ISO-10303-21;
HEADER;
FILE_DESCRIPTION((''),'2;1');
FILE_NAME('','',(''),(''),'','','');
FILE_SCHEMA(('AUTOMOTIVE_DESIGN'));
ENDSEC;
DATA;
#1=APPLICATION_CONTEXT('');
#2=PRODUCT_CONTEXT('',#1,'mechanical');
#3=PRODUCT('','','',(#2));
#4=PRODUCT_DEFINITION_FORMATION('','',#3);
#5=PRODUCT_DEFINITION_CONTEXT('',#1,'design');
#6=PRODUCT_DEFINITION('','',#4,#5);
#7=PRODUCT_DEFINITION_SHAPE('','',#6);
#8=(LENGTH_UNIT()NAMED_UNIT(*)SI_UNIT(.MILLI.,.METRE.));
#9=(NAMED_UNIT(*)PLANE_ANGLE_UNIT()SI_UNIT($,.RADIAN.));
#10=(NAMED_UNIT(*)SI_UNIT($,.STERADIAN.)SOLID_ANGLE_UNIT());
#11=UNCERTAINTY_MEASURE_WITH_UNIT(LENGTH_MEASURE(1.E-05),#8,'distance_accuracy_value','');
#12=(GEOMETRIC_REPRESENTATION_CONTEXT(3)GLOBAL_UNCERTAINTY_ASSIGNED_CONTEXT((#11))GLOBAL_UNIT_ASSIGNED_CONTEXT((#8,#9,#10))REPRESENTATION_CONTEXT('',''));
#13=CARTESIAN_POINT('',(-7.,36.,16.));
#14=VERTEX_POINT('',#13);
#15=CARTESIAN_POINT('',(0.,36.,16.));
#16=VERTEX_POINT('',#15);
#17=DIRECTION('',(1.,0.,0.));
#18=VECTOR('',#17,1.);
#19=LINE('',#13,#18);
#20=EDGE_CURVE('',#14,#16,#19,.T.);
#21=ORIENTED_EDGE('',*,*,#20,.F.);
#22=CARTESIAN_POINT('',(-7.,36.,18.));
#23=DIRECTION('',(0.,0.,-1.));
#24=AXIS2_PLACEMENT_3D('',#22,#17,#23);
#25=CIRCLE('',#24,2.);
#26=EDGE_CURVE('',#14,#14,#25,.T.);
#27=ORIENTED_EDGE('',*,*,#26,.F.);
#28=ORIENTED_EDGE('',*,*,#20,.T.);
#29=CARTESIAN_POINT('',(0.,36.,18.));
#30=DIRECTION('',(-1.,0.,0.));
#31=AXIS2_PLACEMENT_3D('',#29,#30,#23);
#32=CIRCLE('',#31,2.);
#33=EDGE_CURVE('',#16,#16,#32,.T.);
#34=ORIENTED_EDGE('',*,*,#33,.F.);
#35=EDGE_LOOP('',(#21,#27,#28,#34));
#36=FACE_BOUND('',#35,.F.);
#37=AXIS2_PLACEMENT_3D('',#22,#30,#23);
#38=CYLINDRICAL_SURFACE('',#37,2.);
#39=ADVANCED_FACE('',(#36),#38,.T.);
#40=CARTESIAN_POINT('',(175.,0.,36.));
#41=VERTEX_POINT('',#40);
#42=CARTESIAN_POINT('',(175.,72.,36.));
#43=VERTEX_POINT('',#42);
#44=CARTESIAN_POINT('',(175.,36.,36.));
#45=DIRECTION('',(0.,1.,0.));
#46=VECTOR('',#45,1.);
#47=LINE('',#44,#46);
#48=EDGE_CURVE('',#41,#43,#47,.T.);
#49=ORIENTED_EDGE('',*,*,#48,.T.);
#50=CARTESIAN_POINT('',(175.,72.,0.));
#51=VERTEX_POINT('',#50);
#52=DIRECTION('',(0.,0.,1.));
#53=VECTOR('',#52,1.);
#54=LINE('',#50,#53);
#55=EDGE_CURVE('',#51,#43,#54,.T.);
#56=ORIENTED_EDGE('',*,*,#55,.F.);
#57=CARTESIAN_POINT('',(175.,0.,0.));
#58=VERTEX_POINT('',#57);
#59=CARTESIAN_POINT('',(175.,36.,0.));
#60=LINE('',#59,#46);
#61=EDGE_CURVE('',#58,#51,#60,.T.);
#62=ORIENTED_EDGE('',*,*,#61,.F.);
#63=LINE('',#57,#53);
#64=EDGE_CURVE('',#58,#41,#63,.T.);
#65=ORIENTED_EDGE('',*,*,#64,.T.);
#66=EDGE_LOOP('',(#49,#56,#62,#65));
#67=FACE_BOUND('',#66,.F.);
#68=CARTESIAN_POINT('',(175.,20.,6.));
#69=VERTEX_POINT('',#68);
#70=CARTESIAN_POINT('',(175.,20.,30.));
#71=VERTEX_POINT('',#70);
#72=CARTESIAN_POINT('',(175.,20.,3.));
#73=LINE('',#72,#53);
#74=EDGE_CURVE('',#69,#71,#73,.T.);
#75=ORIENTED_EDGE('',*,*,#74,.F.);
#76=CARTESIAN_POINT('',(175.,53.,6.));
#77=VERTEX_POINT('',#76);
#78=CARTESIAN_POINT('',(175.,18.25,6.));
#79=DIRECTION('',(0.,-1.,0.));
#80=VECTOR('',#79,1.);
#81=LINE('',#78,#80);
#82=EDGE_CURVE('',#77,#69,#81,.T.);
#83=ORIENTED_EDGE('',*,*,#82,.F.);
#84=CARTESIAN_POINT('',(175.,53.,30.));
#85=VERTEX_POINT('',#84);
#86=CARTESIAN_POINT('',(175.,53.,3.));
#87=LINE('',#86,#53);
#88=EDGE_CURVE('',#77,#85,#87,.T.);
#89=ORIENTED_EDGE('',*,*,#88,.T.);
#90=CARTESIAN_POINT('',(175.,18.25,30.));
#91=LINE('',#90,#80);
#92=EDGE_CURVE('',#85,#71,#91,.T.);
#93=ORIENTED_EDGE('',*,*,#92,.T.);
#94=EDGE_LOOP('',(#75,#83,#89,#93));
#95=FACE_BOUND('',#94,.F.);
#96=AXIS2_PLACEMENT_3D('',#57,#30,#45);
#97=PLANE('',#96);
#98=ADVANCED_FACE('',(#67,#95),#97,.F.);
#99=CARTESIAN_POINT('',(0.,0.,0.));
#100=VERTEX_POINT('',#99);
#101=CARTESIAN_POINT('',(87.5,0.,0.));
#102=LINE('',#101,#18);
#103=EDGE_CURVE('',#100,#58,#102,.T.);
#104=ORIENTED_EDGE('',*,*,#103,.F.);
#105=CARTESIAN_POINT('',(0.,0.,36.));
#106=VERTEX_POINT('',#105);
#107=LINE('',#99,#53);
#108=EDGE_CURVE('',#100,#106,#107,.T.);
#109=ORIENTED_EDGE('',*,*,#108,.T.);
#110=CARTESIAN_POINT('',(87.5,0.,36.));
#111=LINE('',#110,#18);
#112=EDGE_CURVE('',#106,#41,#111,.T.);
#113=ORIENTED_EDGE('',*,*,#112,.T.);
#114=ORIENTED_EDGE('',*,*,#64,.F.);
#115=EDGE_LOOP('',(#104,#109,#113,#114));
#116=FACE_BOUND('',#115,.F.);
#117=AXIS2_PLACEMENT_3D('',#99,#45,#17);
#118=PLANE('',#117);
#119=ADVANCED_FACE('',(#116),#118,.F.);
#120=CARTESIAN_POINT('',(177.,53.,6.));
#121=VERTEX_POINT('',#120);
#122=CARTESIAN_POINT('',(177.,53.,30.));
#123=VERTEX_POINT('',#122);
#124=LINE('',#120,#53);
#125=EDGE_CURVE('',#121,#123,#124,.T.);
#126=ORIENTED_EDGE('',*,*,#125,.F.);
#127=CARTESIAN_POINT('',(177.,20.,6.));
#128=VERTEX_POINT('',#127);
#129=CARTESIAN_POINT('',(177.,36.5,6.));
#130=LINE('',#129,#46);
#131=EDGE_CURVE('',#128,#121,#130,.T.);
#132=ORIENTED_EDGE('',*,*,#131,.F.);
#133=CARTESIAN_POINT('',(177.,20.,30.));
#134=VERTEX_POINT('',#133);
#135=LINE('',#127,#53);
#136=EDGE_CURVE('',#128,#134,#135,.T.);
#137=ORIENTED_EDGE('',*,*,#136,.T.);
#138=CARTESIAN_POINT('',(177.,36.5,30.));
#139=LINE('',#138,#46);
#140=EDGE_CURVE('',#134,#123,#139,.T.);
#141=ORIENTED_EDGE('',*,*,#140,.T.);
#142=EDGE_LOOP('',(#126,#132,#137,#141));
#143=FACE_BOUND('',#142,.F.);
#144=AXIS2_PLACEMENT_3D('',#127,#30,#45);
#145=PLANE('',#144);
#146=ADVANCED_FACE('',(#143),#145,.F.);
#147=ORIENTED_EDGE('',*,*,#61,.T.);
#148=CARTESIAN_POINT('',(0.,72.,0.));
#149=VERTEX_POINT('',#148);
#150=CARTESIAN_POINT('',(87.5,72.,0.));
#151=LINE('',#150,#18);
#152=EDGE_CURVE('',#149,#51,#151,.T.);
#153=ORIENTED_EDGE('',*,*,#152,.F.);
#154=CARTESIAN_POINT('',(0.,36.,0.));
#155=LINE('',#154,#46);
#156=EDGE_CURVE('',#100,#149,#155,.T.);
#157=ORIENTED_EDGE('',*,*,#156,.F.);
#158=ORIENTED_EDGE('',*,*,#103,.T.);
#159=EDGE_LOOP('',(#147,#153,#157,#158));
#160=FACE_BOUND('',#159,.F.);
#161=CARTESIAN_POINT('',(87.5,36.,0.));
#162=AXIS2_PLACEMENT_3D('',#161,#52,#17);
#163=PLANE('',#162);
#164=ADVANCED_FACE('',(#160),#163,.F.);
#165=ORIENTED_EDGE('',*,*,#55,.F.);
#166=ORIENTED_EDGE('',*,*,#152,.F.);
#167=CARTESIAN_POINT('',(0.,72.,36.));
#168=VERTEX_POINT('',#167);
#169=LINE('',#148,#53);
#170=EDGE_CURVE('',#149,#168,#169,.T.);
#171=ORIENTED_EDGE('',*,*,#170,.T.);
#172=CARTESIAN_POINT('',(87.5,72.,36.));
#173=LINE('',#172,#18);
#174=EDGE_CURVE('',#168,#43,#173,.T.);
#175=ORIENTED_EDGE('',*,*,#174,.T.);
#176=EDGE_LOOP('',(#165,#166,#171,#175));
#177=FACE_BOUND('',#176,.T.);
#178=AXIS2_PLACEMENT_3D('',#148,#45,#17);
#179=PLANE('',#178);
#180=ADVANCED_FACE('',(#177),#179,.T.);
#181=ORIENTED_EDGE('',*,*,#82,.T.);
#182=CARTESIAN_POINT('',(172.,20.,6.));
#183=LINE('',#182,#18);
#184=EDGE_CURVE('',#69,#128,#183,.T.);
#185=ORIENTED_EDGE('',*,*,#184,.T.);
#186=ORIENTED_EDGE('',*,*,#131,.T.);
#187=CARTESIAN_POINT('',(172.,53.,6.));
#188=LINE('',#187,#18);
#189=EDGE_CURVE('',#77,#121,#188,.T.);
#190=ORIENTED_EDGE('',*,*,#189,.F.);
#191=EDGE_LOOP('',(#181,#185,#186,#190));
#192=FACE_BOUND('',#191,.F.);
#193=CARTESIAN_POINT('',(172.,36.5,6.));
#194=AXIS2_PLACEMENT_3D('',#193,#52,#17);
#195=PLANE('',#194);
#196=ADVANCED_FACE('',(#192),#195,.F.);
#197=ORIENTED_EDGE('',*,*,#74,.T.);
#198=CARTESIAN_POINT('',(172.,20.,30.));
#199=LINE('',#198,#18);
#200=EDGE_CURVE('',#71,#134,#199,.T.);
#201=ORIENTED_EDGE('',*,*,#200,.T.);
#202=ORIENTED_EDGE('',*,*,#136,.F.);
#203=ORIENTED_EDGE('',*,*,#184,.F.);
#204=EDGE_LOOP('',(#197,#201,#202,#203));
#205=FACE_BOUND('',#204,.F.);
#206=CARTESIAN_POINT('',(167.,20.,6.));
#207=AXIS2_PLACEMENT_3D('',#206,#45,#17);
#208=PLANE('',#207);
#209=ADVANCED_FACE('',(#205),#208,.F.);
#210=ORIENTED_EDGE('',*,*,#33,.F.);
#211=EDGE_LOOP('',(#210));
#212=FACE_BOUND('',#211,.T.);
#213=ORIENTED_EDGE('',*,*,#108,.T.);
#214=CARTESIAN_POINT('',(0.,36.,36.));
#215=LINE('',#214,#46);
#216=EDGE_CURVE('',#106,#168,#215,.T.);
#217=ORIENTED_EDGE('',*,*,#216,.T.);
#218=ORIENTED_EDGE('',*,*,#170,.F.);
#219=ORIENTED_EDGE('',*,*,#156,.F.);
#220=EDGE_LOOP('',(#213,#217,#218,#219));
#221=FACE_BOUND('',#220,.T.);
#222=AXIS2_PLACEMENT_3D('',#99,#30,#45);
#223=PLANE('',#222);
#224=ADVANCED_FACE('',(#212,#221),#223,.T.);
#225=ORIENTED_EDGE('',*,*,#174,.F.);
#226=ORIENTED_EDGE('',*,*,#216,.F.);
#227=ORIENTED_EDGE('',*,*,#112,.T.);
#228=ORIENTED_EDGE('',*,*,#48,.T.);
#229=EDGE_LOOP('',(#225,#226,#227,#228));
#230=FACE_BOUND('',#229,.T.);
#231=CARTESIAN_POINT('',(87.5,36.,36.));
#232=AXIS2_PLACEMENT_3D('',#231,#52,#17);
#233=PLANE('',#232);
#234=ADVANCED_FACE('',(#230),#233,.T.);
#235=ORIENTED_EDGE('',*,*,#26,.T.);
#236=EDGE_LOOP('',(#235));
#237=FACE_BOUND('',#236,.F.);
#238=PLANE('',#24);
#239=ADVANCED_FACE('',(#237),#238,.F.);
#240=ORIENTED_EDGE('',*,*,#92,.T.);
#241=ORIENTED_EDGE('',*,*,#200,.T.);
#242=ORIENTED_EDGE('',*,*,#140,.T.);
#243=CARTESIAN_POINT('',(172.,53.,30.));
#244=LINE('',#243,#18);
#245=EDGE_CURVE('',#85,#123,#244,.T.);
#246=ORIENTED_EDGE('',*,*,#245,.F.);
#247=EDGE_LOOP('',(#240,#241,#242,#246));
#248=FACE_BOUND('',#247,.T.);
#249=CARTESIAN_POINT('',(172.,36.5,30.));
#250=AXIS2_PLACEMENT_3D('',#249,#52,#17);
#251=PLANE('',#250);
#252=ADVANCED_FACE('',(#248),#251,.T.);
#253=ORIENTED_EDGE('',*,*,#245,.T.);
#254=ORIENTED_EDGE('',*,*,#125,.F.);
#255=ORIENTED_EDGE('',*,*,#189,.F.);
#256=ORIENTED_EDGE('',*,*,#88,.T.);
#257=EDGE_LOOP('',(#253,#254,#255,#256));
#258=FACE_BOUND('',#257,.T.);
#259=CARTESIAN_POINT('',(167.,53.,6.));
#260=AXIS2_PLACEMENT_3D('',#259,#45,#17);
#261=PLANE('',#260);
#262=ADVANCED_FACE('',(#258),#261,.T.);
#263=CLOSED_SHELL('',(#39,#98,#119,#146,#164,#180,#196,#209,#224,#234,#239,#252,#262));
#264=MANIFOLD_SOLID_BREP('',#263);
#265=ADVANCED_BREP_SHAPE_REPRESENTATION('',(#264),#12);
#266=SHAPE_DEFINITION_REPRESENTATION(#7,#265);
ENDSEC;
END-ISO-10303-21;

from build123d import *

# Parameters (mm, degrees)
CYLINDER_R     = 2
CYLINDER_DEPTH = 11
BOX_W          = 175
BOX_H          = 72
BOX_DEPTH      = 36
BOX002_W       = 7
BOX002_H       = 4
BOX002_DEPTH   = 10
BOX003_W       = 10
BOX003_H       = 33
BOX003_DEPTH   = 24


with BuildPart() as f_24v_cable:
    # Cylinder → Cylinder (new body)
    with BuildSketch(Plane(origin=(-7, 36, 18), x_dir=(0, 0, -1), z_dir=(1, 0, 0))):
        Circle(CYLINDER_R)
    extrude(amount=CYLINDER_DEPTH)


with BuildPart() as powerbrick_mw_gst160a:
    # Box → Box (new body)
    with BuildSketch(Plane.XY):
        with Locations((87.5, 36)):
            Rectangle(BOX_W, BOX_H)
    extrude(amount=BOX_DEPTH)


with BuildPart() as led:
    # Box002 → Box002 (new body)
    with BuildSketch(Plane(origin=(5, 18, 26), x_dir=(1, 0, 0), z_dir=(0, 0, 1))):
        with Locations((3.5, 2)):
            Rectangle(BOX002_W, BOX002_H)
    extrude(amount=BOX002_DEPTH)


with BuildPart() as fusion:
    # Box003 → Box003 (new body)
    with BuildSketch(Plane(origin=(167, 20, 6), x_dir=(1, 0, 0), z_dir=(0, 0, 1))):
        with Locations((5, 16.5)):
            Rectangle(BOX003_W, BOX003_H)
    extrude(amount=BOX003_DEPTH)

    # Fusion: union 24V Cable, Powerbrick-mw-gst160a, LED
    add(f_24v_cable.part)
    add(powerbrick_mw_gst160a.part)
    add(led.part)


solid = fusion.part
